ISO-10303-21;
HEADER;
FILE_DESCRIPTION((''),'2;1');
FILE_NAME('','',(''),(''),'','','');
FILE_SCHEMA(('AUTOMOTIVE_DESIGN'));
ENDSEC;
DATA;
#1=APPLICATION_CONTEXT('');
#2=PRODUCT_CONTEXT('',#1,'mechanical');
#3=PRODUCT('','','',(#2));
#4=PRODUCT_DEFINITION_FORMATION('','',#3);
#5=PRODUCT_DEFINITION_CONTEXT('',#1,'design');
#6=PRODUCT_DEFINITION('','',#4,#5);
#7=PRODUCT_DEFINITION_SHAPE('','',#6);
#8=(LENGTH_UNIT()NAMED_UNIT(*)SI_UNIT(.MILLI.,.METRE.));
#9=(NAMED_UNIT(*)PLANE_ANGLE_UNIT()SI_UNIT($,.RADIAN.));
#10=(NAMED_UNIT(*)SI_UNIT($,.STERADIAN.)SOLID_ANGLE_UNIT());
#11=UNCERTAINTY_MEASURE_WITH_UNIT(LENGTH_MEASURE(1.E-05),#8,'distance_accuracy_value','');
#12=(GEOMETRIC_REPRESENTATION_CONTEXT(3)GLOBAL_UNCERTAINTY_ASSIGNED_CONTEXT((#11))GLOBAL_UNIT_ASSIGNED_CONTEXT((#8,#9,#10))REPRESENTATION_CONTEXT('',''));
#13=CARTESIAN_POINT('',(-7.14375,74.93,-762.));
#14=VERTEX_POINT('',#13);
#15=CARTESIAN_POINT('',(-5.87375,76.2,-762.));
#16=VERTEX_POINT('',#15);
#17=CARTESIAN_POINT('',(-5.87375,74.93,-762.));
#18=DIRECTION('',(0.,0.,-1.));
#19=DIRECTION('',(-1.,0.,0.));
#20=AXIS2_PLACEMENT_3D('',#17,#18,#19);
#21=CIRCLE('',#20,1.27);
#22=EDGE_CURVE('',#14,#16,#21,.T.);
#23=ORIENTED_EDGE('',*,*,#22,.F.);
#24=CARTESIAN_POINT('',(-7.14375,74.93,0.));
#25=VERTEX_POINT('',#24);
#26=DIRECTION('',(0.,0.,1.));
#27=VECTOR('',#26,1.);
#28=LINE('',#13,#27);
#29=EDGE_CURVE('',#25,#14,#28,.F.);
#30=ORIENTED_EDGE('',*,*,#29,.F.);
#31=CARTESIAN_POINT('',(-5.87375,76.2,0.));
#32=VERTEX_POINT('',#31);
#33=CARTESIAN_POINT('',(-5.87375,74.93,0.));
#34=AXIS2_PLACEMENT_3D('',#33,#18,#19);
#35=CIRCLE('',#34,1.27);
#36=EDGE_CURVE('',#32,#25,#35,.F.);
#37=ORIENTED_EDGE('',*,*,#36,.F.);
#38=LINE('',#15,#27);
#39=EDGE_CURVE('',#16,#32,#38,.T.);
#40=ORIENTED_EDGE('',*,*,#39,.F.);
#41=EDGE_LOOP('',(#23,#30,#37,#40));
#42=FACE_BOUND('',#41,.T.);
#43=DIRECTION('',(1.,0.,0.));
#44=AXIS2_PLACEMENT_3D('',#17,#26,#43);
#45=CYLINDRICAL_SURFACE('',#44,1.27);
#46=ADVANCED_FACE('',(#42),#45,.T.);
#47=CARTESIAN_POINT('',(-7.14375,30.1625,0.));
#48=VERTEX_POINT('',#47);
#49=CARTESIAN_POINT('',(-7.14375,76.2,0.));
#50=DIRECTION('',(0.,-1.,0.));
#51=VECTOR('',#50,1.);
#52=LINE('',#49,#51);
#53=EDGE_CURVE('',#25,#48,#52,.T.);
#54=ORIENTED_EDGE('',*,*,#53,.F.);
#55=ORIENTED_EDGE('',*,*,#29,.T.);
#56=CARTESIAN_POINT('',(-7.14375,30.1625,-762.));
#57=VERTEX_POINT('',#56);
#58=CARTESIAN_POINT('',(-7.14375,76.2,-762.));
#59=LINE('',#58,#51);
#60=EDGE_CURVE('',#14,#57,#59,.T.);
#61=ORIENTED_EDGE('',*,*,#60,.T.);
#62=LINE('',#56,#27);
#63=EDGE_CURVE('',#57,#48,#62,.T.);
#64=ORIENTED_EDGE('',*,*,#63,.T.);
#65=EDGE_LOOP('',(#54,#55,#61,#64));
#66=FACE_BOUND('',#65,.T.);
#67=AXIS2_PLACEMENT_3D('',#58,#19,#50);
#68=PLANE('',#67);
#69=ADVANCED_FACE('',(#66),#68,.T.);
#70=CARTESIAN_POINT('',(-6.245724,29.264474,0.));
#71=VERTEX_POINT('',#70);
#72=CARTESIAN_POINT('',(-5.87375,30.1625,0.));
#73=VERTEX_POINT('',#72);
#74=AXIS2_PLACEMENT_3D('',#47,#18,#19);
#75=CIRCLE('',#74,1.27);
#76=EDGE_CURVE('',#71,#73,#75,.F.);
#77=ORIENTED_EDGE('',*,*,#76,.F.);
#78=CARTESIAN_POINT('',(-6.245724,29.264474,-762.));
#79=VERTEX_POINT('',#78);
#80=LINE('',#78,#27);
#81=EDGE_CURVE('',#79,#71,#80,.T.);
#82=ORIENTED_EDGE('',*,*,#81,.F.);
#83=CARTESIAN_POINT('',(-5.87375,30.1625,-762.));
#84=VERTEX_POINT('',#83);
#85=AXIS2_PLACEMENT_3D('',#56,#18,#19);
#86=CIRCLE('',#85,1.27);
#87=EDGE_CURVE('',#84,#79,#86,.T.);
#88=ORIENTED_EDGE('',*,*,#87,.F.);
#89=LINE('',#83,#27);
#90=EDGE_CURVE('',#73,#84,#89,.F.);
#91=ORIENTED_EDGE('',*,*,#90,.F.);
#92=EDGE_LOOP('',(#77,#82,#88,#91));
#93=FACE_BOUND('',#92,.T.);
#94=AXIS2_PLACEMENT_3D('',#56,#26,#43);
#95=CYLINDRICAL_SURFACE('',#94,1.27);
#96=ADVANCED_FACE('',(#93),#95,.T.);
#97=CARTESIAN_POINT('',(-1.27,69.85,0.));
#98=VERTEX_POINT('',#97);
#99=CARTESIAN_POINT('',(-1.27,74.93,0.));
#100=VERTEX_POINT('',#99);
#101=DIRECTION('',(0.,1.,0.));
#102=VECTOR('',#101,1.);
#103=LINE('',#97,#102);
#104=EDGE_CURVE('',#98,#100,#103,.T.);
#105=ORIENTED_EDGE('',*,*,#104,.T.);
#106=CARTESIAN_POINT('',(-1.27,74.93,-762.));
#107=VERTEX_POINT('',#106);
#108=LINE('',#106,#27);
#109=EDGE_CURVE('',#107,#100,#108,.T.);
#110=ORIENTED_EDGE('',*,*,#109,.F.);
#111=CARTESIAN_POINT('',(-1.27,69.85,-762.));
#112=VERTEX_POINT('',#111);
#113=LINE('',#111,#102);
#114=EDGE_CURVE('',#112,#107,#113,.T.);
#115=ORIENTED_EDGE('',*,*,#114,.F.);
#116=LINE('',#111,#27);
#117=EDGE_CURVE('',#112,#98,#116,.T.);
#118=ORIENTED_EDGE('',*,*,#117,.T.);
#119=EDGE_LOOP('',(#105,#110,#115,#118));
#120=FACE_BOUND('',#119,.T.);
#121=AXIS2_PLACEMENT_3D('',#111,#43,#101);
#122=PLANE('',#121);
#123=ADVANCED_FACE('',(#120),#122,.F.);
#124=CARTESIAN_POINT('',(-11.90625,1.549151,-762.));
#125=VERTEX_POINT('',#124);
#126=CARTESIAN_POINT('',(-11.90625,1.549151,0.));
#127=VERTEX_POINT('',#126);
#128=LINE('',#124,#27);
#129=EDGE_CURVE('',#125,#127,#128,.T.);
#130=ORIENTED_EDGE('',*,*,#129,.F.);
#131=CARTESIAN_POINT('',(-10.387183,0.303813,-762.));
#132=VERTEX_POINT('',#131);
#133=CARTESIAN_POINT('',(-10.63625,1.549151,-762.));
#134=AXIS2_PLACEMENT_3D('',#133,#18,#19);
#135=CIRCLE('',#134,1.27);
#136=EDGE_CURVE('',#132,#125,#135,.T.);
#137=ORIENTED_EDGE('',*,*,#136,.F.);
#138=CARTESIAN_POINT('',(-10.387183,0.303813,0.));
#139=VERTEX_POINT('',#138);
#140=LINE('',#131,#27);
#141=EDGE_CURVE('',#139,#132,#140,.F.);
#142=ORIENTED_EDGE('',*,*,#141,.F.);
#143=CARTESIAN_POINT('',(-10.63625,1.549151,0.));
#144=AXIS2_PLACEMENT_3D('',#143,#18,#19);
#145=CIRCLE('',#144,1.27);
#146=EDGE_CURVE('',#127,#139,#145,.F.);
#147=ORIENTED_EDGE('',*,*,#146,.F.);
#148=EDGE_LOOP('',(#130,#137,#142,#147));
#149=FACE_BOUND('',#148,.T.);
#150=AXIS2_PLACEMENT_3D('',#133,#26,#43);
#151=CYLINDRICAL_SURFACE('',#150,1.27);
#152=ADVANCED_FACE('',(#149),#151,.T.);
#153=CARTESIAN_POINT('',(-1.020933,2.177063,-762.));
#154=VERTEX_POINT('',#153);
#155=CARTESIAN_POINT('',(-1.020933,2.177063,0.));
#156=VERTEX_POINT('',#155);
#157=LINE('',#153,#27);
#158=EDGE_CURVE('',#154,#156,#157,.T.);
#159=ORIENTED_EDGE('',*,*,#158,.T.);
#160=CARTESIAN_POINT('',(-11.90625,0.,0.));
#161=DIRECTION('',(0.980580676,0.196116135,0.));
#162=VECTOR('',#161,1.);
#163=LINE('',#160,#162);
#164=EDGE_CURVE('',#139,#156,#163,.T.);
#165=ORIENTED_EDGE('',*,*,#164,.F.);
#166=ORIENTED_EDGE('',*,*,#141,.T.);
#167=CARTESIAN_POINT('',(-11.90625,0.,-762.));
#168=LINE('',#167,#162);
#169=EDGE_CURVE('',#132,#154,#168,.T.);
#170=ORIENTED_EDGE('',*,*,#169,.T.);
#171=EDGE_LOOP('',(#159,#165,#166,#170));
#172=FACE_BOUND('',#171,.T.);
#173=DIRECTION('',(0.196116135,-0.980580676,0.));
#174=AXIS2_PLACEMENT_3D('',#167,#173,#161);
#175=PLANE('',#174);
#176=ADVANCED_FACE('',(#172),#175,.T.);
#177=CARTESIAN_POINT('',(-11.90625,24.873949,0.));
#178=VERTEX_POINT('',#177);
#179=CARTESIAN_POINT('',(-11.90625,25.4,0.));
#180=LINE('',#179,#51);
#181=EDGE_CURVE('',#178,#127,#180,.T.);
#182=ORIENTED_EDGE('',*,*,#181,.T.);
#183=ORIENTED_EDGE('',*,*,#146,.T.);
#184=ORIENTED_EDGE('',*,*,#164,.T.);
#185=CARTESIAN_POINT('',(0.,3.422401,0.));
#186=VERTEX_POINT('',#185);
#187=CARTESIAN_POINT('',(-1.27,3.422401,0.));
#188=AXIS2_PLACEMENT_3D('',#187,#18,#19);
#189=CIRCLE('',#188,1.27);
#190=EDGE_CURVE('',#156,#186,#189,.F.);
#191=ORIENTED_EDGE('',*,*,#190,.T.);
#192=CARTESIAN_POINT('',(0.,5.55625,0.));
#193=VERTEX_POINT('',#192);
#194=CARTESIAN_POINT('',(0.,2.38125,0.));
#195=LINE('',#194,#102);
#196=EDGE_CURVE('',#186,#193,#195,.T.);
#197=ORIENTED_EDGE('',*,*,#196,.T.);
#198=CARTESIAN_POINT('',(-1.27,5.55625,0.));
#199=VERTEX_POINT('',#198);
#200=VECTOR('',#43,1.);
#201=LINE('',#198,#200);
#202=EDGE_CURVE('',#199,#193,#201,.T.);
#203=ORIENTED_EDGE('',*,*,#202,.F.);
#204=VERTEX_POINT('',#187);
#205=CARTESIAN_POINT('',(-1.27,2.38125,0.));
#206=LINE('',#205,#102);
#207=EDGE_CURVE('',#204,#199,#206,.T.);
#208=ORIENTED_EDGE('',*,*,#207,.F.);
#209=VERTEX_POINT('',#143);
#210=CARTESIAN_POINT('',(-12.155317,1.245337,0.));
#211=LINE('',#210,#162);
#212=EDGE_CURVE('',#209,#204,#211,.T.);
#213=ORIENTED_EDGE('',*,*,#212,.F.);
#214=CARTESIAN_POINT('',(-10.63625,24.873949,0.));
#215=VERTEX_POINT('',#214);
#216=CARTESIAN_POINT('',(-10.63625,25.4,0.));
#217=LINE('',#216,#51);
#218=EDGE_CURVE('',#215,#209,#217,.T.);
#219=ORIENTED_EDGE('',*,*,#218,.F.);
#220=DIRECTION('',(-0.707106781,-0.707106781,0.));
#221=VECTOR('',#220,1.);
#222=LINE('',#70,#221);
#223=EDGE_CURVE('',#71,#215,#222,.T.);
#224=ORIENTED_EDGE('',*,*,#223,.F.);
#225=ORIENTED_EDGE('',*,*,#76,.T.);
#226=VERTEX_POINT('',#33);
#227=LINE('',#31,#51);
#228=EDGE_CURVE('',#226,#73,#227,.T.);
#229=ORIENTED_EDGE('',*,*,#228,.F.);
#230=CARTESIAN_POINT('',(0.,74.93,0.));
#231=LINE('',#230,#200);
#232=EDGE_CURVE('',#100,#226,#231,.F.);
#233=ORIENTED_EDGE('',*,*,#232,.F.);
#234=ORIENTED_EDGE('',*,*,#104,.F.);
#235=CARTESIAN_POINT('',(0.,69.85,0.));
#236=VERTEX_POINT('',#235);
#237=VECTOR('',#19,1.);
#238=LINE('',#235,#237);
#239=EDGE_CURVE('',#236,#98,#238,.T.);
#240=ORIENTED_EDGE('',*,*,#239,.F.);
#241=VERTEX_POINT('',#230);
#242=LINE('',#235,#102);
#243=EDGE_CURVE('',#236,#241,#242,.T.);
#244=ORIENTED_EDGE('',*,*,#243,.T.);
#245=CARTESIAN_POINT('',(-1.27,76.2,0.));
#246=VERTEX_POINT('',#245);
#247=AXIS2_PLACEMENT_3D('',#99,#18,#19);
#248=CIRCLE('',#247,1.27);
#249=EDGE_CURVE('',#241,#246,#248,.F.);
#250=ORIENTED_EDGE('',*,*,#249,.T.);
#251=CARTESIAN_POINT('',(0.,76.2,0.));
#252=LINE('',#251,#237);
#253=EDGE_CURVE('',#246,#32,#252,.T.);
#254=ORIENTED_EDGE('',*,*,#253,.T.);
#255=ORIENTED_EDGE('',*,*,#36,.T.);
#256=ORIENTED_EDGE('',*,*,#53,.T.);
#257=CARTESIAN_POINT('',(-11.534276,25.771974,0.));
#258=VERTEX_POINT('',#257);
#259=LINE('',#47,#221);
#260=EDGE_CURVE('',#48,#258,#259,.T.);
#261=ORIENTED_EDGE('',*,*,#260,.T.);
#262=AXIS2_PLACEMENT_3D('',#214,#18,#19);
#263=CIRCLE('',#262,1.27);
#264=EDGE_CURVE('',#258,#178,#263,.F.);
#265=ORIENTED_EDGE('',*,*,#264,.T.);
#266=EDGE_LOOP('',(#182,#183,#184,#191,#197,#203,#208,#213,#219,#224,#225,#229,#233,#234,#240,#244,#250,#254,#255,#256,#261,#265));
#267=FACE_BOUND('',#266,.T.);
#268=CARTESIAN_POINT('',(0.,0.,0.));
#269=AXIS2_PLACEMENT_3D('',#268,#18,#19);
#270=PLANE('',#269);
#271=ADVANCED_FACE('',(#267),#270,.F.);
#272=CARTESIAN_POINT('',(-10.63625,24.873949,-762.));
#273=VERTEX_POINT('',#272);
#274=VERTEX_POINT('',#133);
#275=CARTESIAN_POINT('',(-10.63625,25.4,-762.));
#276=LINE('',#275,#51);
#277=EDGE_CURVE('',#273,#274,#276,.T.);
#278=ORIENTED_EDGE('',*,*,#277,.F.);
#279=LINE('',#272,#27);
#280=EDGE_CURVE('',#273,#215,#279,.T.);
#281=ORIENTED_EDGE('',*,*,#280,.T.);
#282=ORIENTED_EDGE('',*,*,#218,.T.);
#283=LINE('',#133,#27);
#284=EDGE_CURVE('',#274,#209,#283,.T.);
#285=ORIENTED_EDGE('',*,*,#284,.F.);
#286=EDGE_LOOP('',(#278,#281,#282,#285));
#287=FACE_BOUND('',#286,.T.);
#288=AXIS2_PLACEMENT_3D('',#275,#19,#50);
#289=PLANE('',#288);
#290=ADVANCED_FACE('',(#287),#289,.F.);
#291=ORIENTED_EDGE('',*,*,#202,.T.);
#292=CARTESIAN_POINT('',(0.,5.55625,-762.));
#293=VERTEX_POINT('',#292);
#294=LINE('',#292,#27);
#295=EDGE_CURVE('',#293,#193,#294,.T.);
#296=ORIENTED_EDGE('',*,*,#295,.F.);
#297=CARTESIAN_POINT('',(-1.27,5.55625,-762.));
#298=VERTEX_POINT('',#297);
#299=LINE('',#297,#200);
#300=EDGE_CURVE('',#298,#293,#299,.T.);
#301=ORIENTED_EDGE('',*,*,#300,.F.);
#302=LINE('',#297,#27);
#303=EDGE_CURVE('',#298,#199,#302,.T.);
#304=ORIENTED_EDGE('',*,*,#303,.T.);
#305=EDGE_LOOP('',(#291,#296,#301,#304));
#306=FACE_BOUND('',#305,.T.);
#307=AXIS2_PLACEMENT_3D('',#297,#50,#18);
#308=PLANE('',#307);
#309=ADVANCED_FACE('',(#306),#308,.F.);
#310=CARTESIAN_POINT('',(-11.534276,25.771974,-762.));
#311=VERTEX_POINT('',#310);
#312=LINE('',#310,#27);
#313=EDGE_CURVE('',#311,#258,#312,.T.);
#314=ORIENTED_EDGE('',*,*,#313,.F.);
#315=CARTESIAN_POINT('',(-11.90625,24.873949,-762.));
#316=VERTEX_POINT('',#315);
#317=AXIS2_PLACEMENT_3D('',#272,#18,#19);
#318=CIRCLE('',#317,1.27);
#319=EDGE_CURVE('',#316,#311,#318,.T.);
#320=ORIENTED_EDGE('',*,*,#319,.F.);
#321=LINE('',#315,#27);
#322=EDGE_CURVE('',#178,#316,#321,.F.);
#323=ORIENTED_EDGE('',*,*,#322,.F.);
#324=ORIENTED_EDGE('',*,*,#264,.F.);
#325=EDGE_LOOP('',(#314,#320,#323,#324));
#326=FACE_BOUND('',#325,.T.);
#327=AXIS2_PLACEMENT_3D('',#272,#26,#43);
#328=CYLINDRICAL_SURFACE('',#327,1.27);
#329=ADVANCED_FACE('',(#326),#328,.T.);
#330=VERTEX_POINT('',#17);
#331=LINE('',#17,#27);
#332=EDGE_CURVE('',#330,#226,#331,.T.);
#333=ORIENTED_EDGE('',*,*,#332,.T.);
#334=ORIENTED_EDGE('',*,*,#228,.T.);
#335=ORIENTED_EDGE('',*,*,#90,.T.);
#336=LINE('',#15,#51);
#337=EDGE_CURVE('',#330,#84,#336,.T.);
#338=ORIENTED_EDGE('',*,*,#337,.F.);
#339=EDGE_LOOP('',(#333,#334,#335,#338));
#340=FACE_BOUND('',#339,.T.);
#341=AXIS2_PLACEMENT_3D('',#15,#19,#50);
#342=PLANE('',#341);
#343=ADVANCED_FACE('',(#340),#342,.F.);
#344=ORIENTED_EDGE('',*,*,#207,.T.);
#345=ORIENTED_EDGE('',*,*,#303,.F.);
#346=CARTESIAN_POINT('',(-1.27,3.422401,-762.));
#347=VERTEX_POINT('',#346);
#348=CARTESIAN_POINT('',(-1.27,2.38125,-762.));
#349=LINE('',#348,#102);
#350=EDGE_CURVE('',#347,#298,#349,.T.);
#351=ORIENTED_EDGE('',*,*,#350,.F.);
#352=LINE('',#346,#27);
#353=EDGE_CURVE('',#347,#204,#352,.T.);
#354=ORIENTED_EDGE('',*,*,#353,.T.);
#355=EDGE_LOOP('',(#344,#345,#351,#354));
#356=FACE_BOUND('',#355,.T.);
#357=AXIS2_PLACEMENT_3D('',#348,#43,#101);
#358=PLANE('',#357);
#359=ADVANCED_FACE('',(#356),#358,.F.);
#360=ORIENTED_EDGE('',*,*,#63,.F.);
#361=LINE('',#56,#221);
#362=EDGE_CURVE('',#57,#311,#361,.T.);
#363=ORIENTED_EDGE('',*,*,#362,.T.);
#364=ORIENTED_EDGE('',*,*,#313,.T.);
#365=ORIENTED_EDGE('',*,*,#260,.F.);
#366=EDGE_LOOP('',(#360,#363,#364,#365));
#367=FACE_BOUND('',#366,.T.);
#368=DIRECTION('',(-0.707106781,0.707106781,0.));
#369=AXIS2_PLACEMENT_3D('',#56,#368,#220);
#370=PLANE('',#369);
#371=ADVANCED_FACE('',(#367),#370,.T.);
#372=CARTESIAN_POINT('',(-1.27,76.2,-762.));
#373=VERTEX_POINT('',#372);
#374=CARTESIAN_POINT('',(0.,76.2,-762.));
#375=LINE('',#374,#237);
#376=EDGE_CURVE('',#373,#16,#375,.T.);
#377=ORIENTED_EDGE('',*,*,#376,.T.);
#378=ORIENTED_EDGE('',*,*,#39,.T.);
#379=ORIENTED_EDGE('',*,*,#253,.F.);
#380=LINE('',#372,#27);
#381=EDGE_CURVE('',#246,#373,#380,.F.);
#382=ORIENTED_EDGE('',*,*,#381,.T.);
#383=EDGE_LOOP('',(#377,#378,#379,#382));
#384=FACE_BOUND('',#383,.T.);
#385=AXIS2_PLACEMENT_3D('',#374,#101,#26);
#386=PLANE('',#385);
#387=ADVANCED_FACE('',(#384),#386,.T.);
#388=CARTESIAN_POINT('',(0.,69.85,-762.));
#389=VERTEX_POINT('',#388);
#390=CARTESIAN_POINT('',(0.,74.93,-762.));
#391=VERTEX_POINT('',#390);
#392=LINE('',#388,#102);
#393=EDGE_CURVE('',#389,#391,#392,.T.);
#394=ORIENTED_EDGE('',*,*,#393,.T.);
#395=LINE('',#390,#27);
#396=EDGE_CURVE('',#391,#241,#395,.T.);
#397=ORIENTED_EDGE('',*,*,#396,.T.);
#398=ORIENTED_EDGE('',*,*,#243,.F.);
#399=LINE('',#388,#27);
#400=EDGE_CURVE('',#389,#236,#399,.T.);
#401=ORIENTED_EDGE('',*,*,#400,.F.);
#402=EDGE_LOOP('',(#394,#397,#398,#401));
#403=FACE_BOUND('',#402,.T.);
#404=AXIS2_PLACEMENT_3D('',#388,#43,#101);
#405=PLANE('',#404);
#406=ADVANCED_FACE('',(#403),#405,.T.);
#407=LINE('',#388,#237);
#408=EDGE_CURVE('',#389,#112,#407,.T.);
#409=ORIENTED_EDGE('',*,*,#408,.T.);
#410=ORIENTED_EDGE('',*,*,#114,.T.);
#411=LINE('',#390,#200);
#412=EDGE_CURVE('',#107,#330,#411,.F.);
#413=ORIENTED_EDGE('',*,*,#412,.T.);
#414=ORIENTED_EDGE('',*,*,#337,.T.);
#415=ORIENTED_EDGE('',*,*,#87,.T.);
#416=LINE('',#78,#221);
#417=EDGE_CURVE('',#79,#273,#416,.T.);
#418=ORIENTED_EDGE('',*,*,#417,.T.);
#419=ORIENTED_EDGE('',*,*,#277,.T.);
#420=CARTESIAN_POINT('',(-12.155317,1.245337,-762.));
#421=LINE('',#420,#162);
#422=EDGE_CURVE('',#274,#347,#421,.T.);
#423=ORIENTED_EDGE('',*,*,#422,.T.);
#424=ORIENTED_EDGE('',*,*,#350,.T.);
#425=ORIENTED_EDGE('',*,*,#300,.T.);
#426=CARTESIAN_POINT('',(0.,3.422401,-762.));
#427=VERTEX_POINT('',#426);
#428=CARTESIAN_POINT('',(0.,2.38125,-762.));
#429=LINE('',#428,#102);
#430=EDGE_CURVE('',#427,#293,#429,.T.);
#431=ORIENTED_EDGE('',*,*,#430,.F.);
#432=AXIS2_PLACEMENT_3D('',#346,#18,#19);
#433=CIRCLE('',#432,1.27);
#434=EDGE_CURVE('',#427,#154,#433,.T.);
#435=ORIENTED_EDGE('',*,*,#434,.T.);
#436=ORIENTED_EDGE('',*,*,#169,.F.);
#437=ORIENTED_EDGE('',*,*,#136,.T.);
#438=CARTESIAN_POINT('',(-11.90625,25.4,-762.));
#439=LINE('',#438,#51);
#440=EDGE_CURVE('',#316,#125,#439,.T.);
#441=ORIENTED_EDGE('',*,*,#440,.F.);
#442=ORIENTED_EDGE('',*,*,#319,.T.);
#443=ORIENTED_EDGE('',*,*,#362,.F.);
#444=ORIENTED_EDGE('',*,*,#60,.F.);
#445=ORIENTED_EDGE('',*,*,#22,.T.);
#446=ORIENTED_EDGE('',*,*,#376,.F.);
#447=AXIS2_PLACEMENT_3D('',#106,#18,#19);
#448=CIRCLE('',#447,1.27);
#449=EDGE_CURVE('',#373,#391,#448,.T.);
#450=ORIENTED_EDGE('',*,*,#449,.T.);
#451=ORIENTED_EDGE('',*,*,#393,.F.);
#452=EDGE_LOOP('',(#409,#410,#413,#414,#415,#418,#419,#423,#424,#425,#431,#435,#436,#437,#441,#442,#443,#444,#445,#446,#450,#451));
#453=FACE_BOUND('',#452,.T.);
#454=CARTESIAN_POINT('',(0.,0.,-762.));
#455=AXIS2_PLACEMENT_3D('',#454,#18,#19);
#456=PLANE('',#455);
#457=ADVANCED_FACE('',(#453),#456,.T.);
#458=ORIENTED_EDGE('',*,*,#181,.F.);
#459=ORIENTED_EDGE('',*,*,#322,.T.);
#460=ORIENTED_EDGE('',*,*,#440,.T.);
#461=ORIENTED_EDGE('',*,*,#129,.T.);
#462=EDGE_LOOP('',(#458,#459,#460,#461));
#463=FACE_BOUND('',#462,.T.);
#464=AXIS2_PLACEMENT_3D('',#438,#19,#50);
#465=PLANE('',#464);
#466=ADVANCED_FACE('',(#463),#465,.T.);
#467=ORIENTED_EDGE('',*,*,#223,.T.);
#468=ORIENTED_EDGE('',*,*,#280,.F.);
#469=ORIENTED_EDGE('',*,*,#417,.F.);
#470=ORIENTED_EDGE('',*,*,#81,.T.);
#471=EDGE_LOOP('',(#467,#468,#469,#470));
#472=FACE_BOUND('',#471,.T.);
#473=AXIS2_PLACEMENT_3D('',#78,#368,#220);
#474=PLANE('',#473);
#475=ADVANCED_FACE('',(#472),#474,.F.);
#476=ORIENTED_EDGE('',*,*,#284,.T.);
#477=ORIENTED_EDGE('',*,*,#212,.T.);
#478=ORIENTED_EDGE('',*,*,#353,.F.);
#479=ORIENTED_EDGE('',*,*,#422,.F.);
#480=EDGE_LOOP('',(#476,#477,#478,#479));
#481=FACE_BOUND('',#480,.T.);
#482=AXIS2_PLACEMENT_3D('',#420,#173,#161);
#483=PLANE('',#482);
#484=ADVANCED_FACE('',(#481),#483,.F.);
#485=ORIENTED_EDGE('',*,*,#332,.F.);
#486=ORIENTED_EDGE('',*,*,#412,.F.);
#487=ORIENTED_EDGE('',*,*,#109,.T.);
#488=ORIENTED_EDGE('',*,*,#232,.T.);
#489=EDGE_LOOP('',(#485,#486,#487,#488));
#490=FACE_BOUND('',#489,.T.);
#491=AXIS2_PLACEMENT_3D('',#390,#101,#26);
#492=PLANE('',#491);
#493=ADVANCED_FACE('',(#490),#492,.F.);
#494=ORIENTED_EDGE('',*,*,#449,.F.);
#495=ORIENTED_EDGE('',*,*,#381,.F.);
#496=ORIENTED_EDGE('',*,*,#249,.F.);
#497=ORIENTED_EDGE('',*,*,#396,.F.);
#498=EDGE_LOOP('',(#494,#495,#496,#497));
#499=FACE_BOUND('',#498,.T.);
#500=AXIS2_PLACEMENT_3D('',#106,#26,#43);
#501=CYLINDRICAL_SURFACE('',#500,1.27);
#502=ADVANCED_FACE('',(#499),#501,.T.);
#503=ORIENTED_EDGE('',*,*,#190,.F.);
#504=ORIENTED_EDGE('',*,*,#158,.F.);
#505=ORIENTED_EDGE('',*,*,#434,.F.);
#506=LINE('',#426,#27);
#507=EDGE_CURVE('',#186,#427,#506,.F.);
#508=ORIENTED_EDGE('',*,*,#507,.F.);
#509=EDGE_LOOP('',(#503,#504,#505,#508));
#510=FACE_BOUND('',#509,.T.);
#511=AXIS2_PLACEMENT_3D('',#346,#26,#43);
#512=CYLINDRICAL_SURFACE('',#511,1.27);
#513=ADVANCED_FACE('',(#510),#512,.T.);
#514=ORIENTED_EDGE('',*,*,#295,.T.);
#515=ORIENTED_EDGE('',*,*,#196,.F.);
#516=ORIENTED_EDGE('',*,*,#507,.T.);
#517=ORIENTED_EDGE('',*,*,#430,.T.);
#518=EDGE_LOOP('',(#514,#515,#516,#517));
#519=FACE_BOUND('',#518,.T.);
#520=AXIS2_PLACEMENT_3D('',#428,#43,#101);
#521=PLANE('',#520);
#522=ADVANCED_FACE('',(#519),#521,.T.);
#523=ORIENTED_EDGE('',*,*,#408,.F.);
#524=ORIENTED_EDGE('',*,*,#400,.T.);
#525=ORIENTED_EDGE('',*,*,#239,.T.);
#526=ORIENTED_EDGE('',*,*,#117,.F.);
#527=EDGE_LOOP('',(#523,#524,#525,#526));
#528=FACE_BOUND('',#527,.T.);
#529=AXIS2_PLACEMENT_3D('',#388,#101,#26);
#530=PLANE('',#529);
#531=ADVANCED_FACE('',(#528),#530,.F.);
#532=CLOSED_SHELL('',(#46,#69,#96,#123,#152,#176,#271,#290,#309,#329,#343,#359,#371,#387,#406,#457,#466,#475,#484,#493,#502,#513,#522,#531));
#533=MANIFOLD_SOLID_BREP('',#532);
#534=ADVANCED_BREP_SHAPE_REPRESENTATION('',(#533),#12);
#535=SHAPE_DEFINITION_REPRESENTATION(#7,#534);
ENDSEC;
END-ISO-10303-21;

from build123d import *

# Parameters (mm, degrees)
EXTRUDE_THIN1_DEPTH = 762
FILLET1_R           = 1.27


with BuildPart() as part:
    # Sketch1 → Extrude-Thin1 (new body)
    with BuildSketch(Plane.XY):
        Polygon((0, 69.85), (0, 76.2), (-7.14375, 76.2), (-7.14375, 30.1625), (-11.90625, 25.4), (-11.90625, 0), (0, 2.38125), (0, 5.55625), (-1.27, 5.55625), (-1.27, 3.422400956), (-10.63625, 1.549150956), (-10.63625, 24.873948776), (-5.87375, 29.636448776), (-5.87375, 74.93), (-1.27, 74.93), (-1.27, 69.85), align=None)
    extrude(amount=-EXTRUDE_THIN1_DEPTH)

    # Fillet1
    fillet1_edges = [part.edges().sort_by_distance(p)[0] for p in [
        (0, 2.38125, -381),
        (-11.90625, 0, -381),
        (-11.90625, 25.4, -381),
        (-7.14375, 76.2, -381),
        (0, 76.2, -381),
        (-5.87375, 29.636448776, -381),
    ]]
    fillet(fillet1_edges, radius=FILLET1_R)


solid = part.part
